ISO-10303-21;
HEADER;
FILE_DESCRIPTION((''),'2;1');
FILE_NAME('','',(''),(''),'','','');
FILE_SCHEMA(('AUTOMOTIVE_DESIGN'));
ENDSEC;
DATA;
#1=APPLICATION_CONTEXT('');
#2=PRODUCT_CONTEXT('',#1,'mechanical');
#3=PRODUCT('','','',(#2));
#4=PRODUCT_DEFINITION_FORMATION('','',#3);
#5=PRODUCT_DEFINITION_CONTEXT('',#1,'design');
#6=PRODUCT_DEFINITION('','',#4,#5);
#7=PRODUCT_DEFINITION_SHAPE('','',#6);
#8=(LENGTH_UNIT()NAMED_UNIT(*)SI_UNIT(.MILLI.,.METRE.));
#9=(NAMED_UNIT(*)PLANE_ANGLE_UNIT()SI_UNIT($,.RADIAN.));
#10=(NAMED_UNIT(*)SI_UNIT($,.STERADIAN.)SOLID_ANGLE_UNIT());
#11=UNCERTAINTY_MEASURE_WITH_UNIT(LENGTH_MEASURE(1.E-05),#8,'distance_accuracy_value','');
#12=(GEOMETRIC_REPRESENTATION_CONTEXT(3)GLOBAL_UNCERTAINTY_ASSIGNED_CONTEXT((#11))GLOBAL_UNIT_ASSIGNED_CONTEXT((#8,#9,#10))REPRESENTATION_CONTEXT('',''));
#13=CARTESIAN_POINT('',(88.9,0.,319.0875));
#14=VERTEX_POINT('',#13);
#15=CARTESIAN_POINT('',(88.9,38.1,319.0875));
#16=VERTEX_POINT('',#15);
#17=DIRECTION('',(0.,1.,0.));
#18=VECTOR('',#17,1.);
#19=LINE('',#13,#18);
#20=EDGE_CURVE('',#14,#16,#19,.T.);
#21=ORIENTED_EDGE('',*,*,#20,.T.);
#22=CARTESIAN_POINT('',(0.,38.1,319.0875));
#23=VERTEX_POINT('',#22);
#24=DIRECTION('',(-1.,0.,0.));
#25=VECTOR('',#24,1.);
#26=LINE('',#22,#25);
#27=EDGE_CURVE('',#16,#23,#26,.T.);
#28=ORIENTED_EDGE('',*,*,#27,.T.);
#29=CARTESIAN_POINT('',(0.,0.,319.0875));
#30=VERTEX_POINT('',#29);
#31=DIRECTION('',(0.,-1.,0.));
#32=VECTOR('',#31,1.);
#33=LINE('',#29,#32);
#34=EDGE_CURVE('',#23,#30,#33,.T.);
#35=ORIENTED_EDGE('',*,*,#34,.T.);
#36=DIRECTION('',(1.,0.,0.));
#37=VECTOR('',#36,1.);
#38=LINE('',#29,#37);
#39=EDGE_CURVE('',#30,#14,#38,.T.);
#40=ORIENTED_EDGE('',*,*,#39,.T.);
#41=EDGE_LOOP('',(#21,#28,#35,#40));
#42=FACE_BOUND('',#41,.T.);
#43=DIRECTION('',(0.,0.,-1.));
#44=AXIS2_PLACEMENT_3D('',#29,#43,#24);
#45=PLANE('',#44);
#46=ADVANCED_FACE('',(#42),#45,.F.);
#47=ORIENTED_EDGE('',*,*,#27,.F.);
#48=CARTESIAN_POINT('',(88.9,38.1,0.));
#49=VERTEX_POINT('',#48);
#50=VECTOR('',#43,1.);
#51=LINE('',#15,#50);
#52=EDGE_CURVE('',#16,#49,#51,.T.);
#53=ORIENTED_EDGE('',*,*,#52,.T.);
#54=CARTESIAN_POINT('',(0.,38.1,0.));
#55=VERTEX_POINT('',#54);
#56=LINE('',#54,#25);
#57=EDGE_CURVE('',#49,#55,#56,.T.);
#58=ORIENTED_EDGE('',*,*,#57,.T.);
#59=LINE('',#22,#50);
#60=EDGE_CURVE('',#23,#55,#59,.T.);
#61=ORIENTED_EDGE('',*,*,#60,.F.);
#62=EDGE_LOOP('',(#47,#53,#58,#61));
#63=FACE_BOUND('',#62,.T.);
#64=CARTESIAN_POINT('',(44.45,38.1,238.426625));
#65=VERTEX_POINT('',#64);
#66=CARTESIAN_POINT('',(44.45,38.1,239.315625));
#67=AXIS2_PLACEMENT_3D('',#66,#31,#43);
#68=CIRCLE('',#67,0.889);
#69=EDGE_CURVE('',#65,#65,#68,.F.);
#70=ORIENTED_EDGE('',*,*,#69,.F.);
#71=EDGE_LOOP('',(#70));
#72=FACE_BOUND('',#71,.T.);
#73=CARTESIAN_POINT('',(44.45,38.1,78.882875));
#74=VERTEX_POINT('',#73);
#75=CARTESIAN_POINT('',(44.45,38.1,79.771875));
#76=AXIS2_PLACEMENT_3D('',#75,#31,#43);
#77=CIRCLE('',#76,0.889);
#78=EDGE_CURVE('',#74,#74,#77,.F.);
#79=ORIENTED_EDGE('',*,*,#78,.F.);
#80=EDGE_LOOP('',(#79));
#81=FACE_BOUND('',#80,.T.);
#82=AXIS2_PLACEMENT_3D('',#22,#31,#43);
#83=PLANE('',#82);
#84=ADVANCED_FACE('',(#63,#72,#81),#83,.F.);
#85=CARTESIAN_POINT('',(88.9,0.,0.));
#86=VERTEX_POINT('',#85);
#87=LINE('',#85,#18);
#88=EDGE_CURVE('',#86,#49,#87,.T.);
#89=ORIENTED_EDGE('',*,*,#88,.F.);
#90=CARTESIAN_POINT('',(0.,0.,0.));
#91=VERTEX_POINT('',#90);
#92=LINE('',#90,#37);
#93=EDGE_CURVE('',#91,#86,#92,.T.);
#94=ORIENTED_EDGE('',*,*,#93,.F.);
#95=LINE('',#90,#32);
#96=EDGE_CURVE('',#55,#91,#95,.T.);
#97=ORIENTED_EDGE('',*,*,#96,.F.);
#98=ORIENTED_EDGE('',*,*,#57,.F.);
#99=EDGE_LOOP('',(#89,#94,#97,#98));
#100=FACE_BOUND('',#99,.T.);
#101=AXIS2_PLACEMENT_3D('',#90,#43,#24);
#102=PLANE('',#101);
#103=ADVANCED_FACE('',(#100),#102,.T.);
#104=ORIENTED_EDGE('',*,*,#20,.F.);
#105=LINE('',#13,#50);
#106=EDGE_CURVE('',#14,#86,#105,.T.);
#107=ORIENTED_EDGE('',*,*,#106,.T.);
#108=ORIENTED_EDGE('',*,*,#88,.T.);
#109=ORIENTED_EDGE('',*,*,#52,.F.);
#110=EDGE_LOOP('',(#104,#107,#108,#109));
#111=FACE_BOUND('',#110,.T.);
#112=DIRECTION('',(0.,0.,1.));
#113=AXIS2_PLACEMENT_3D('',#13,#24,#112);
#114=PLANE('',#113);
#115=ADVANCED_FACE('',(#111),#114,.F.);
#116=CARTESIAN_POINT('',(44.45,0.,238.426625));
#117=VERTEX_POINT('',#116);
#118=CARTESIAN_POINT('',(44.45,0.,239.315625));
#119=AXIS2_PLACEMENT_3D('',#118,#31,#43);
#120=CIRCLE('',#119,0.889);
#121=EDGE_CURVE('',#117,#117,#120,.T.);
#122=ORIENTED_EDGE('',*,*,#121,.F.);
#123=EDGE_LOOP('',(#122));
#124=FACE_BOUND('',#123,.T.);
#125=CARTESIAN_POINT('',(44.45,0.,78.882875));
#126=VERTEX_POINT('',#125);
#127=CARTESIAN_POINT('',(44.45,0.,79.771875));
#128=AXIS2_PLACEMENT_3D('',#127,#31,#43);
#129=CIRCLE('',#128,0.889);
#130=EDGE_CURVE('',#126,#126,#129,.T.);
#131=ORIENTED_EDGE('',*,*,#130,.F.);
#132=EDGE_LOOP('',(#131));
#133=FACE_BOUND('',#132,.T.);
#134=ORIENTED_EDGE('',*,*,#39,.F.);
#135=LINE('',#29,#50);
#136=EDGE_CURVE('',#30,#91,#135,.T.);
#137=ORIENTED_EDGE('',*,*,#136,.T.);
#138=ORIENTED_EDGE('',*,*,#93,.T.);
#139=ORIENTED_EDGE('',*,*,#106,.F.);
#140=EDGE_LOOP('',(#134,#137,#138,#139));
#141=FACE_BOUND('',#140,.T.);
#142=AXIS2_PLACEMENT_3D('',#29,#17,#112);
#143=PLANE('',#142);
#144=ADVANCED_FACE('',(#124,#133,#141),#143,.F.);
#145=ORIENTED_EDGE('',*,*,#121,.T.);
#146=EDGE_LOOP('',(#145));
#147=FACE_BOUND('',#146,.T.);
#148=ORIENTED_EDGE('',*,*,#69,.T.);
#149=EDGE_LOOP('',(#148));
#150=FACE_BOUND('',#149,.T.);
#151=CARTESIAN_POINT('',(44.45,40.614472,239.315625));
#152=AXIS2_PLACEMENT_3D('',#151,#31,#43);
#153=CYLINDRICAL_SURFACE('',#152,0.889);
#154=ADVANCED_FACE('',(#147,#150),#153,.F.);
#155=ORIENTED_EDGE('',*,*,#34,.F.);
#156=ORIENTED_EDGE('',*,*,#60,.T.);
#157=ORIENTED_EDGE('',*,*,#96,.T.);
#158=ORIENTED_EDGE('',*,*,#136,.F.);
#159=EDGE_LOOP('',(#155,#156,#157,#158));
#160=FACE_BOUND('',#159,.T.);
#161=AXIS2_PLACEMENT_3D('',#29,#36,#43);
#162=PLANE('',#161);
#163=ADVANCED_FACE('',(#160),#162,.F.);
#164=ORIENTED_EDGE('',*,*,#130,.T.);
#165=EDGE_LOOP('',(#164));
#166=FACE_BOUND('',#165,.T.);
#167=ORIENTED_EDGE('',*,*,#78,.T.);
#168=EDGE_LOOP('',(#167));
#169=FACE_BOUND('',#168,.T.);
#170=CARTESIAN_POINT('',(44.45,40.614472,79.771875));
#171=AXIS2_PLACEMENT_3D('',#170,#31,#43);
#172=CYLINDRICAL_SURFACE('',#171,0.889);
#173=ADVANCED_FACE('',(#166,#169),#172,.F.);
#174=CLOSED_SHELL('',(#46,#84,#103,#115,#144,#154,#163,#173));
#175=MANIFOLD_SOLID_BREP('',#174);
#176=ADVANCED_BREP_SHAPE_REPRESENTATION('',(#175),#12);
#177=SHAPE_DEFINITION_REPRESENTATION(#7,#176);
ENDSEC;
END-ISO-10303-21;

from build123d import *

# Parameters (mm, degrees)
SKETCH1_W           = 88.9
SKETCH1_H           = 38.1
BOSS_EXTRUDE1_DEPTH = 319.0875
SKETCH2_R           = 0.889
CUT_EXTRUDE1_DEPTH  = 38.1


with BuildPart() as part:
    # Sketch1 → Boss-Extrude1 (new body)
    with BuildSketch(Plane.XY):
        with Locations((44.45, 19.05)):
            Rectangle(SKETCH1_W, SKETCH1_H)
    extrude(amount=BOSS_EXTRUDE1_DEPTH)

    # Sketch2 → Cut-Extrude1 (cut)
    with BuildSketch(Plane.XZ):
        with Locations(Location((44.45, 79.771875, 0), (0, 0, 270))):
            Circle(SKETCH2_R)
        with Locations(Location((44.45, 239.315625, 0), (0, 0, 270))):
            Circle(SKETCH2_R)
    extrude(amount=-CUT_EXTRUDE1_DEPTH, mode=Mode.SUBTRACT)


solid = part.part
